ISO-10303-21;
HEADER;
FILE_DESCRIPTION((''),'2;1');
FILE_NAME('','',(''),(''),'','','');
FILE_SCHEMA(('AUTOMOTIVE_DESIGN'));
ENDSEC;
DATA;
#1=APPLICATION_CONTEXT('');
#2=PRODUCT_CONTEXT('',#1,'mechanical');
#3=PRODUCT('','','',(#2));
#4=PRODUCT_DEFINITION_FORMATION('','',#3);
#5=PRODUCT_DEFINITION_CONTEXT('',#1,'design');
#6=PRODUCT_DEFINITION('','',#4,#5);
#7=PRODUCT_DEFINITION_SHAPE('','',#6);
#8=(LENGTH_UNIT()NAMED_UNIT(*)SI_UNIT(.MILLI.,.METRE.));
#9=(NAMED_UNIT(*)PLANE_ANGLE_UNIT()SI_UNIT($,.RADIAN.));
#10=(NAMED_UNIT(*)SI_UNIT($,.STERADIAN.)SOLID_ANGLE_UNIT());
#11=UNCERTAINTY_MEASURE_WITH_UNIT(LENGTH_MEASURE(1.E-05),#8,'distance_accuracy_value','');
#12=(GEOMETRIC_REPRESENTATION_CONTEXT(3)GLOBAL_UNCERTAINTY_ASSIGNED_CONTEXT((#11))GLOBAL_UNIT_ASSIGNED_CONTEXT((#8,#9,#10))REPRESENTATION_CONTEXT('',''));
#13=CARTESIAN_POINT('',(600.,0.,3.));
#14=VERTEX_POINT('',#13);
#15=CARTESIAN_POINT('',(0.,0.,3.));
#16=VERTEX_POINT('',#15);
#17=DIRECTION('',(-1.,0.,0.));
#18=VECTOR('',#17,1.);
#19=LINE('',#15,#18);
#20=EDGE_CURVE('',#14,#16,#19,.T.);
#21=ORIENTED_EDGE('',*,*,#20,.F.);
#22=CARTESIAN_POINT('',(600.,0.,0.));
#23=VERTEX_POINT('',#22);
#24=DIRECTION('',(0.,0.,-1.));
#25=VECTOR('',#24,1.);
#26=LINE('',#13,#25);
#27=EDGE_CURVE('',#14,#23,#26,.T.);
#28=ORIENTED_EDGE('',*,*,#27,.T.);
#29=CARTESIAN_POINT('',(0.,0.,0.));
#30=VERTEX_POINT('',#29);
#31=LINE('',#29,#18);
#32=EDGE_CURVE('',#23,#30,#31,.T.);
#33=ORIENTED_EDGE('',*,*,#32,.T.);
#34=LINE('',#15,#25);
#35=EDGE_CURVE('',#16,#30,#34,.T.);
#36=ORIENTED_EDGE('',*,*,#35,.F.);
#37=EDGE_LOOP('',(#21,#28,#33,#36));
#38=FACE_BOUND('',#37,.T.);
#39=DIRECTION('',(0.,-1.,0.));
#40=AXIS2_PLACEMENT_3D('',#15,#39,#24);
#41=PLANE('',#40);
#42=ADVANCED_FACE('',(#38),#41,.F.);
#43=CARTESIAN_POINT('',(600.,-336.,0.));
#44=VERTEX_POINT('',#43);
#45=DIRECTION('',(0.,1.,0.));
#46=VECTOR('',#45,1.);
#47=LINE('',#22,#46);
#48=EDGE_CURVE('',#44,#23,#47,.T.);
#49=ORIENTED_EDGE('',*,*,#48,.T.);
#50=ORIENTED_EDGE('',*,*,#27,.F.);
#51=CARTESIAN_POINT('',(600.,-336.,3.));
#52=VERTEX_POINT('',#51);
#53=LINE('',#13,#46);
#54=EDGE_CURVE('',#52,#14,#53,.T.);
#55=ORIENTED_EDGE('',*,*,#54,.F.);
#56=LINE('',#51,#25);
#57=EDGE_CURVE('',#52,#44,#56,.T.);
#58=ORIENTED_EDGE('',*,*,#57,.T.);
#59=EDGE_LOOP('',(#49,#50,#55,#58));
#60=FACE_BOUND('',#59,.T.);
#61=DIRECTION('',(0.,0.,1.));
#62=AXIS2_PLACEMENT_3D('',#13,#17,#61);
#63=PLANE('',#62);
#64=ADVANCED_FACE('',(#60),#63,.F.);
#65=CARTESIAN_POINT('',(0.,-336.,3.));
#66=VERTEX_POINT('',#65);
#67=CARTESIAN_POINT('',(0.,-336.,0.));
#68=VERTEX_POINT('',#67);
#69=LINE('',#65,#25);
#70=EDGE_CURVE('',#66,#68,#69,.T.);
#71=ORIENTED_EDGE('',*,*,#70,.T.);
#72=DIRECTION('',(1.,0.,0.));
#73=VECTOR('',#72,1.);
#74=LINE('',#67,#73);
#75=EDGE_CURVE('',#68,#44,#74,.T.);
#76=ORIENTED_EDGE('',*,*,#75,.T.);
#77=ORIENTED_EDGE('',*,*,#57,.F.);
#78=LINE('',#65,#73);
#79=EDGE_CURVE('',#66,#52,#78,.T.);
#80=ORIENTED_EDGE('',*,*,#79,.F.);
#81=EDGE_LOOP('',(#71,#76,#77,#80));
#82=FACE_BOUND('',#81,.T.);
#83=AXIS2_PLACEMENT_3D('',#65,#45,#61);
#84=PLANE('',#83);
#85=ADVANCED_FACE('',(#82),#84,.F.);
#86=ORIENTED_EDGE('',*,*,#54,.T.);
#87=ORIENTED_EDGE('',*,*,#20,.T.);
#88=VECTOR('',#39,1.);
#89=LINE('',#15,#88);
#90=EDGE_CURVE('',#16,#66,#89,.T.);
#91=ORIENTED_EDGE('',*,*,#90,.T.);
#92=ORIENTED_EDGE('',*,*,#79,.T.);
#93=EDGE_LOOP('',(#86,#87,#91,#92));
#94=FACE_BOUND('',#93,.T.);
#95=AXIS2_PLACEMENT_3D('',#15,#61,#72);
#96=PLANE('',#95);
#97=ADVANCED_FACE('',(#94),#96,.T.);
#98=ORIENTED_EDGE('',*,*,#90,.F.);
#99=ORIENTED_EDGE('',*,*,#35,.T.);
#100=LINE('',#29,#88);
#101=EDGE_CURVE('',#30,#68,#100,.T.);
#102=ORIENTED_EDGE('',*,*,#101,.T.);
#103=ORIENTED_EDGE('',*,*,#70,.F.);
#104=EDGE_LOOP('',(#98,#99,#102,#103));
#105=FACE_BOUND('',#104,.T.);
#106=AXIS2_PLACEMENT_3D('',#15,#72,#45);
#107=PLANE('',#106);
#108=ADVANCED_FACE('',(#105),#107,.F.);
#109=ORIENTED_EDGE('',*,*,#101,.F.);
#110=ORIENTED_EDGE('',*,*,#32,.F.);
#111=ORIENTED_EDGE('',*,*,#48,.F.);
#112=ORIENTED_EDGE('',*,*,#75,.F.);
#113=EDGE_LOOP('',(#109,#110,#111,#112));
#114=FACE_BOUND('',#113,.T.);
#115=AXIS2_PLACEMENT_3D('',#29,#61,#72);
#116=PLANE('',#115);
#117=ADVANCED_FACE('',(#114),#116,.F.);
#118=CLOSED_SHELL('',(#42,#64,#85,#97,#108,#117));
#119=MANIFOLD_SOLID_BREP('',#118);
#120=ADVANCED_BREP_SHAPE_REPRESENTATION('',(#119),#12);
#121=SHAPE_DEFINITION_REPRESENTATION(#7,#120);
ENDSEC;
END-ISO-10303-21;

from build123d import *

# Parameters (mm, degrees)
IZIM1_W                     = 600
IZIM1_H                     = 336
Y_KSEKLIK_EKSTR_ZYON1_DEPTH = 3


with BuildPart() as part:
    # Çizim1 → Yükseklik-Ekstrüzyon1 (new body)
    with BuildSketch(Plane.XY):
        with Locations((300, -168)):
            Rectangle(IZIM1_W, IZIM1_H)
    extrude(amount=Y_KSEKLIK_EKSTR_ZYON1_DEPTH)


solid = part.part
